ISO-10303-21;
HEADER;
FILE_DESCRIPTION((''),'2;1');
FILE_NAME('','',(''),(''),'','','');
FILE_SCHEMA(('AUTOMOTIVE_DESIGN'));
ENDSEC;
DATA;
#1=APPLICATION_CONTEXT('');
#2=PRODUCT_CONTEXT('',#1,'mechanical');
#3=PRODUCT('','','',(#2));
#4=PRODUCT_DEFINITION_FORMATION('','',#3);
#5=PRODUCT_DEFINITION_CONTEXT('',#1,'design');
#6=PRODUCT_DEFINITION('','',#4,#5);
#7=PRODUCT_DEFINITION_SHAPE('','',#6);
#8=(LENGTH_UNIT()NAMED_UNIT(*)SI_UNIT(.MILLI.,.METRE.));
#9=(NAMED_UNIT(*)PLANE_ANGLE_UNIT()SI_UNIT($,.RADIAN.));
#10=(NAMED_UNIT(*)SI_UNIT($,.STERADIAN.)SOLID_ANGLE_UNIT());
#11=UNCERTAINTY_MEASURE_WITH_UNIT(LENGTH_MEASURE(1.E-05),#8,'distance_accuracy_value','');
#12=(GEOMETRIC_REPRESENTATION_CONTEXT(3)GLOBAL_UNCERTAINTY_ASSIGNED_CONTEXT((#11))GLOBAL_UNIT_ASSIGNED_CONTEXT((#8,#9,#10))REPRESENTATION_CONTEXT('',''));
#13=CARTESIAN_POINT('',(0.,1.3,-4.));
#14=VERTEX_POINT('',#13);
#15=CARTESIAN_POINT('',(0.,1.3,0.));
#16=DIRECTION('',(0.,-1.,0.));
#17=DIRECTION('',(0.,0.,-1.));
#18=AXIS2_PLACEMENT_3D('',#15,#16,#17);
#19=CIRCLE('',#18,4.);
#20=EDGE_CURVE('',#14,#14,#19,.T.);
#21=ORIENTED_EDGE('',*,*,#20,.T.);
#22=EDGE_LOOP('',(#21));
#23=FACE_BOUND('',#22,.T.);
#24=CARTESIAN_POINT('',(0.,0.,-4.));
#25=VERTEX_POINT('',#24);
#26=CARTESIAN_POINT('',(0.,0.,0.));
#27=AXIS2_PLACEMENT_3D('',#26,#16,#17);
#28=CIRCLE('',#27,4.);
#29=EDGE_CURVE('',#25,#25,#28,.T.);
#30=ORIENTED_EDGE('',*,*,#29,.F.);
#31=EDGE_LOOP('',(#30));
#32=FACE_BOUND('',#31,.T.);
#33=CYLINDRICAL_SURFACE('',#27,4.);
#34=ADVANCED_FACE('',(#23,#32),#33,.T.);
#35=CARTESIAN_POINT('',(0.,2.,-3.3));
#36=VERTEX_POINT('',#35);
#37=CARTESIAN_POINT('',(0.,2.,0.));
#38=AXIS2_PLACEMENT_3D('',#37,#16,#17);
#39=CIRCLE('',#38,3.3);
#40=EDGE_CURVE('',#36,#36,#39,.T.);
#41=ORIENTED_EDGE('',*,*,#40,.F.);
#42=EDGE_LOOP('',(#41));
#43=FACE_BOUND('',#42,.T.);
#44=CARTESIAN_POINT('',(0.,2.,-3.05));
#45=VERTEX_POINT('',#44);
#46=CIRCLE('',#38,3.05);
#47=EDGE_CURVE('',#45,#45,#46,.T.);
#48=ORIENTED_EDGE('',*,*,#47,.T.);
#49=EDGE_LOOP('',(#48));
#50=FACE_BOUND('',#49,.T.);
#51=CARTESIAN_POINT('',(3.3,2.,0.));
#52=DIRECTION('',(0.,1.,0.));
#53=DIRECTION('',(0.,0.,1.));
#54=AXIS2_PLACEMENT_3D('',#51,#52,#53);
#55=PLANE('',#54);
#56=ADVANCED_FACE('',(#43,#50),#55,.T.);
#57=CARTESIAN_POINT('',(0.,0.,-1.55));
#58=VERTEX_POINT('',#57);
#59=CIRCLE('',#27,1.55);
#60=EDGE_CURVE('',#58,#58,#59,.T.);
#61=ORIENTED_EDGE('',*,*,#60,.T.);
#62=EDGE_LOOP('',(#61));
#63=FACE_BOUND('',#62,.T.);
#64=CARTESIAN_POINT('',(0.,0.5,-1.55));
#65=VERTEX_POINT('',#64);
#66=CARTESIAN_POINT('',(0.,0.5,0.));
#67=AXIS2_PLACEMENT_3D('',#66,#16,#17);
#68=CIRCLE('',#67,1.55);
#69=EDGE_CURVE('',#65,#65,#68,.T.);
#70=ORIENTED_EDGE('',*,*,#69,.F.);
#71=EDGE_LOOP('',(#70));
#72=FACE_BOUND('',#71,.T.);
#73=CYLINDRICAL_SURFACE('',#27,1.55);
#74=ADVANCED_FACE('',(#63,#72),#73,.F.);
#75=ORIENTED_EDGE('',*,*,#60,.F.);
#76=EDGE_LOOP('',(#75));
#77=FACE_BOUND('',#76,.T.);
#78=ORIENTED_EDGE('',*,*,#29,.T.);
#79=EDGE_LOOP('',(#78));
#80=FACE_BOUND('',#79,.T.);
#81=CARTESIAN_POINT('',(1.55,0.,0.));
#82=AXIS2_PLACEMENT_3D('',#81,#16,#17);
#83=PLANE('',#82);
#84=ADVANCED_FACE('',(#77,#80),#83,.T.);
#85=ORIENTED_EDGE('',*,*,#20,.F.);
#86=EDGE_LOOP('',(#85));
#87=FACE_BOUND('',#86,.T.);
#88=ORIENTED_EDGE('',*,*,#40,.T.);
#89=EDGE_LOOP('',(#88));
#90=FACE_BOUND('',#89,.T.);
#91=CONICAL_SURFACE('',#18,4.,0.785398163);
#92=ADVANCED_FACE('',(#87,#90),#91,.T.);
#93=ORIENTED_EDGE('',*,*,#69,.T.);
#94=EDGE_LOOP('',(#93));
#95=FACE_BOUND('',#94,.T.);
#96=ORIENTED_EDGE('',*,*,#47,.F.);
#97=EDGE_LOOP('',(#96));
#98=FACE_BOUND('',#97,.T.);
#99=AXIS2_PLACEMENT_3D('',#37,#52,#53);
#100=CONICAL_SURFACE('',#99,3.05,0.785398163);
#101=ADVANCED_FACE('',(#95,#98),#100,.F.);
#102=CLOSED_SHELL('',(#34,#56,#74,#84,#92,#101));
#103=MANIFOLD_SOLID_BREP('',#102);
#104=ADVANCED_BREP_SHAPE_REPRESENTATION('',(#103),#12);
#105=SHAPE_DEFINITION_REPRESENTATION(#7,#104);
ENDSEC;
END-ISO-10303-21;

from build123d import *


with BuildPart() as part:
    # Sketch1 → Revolve1 (revolve)
    with BuildSketch(Plane.XY):
        Polygon((4, 0), (4, 1.3), (3.3, 2), (3.05, 2), (1.55, 0.5), (1.55, 0), align=None)
    revolve(axis=Axis((0, 0, 0), (0, 1, 0)))


solid = part.part
